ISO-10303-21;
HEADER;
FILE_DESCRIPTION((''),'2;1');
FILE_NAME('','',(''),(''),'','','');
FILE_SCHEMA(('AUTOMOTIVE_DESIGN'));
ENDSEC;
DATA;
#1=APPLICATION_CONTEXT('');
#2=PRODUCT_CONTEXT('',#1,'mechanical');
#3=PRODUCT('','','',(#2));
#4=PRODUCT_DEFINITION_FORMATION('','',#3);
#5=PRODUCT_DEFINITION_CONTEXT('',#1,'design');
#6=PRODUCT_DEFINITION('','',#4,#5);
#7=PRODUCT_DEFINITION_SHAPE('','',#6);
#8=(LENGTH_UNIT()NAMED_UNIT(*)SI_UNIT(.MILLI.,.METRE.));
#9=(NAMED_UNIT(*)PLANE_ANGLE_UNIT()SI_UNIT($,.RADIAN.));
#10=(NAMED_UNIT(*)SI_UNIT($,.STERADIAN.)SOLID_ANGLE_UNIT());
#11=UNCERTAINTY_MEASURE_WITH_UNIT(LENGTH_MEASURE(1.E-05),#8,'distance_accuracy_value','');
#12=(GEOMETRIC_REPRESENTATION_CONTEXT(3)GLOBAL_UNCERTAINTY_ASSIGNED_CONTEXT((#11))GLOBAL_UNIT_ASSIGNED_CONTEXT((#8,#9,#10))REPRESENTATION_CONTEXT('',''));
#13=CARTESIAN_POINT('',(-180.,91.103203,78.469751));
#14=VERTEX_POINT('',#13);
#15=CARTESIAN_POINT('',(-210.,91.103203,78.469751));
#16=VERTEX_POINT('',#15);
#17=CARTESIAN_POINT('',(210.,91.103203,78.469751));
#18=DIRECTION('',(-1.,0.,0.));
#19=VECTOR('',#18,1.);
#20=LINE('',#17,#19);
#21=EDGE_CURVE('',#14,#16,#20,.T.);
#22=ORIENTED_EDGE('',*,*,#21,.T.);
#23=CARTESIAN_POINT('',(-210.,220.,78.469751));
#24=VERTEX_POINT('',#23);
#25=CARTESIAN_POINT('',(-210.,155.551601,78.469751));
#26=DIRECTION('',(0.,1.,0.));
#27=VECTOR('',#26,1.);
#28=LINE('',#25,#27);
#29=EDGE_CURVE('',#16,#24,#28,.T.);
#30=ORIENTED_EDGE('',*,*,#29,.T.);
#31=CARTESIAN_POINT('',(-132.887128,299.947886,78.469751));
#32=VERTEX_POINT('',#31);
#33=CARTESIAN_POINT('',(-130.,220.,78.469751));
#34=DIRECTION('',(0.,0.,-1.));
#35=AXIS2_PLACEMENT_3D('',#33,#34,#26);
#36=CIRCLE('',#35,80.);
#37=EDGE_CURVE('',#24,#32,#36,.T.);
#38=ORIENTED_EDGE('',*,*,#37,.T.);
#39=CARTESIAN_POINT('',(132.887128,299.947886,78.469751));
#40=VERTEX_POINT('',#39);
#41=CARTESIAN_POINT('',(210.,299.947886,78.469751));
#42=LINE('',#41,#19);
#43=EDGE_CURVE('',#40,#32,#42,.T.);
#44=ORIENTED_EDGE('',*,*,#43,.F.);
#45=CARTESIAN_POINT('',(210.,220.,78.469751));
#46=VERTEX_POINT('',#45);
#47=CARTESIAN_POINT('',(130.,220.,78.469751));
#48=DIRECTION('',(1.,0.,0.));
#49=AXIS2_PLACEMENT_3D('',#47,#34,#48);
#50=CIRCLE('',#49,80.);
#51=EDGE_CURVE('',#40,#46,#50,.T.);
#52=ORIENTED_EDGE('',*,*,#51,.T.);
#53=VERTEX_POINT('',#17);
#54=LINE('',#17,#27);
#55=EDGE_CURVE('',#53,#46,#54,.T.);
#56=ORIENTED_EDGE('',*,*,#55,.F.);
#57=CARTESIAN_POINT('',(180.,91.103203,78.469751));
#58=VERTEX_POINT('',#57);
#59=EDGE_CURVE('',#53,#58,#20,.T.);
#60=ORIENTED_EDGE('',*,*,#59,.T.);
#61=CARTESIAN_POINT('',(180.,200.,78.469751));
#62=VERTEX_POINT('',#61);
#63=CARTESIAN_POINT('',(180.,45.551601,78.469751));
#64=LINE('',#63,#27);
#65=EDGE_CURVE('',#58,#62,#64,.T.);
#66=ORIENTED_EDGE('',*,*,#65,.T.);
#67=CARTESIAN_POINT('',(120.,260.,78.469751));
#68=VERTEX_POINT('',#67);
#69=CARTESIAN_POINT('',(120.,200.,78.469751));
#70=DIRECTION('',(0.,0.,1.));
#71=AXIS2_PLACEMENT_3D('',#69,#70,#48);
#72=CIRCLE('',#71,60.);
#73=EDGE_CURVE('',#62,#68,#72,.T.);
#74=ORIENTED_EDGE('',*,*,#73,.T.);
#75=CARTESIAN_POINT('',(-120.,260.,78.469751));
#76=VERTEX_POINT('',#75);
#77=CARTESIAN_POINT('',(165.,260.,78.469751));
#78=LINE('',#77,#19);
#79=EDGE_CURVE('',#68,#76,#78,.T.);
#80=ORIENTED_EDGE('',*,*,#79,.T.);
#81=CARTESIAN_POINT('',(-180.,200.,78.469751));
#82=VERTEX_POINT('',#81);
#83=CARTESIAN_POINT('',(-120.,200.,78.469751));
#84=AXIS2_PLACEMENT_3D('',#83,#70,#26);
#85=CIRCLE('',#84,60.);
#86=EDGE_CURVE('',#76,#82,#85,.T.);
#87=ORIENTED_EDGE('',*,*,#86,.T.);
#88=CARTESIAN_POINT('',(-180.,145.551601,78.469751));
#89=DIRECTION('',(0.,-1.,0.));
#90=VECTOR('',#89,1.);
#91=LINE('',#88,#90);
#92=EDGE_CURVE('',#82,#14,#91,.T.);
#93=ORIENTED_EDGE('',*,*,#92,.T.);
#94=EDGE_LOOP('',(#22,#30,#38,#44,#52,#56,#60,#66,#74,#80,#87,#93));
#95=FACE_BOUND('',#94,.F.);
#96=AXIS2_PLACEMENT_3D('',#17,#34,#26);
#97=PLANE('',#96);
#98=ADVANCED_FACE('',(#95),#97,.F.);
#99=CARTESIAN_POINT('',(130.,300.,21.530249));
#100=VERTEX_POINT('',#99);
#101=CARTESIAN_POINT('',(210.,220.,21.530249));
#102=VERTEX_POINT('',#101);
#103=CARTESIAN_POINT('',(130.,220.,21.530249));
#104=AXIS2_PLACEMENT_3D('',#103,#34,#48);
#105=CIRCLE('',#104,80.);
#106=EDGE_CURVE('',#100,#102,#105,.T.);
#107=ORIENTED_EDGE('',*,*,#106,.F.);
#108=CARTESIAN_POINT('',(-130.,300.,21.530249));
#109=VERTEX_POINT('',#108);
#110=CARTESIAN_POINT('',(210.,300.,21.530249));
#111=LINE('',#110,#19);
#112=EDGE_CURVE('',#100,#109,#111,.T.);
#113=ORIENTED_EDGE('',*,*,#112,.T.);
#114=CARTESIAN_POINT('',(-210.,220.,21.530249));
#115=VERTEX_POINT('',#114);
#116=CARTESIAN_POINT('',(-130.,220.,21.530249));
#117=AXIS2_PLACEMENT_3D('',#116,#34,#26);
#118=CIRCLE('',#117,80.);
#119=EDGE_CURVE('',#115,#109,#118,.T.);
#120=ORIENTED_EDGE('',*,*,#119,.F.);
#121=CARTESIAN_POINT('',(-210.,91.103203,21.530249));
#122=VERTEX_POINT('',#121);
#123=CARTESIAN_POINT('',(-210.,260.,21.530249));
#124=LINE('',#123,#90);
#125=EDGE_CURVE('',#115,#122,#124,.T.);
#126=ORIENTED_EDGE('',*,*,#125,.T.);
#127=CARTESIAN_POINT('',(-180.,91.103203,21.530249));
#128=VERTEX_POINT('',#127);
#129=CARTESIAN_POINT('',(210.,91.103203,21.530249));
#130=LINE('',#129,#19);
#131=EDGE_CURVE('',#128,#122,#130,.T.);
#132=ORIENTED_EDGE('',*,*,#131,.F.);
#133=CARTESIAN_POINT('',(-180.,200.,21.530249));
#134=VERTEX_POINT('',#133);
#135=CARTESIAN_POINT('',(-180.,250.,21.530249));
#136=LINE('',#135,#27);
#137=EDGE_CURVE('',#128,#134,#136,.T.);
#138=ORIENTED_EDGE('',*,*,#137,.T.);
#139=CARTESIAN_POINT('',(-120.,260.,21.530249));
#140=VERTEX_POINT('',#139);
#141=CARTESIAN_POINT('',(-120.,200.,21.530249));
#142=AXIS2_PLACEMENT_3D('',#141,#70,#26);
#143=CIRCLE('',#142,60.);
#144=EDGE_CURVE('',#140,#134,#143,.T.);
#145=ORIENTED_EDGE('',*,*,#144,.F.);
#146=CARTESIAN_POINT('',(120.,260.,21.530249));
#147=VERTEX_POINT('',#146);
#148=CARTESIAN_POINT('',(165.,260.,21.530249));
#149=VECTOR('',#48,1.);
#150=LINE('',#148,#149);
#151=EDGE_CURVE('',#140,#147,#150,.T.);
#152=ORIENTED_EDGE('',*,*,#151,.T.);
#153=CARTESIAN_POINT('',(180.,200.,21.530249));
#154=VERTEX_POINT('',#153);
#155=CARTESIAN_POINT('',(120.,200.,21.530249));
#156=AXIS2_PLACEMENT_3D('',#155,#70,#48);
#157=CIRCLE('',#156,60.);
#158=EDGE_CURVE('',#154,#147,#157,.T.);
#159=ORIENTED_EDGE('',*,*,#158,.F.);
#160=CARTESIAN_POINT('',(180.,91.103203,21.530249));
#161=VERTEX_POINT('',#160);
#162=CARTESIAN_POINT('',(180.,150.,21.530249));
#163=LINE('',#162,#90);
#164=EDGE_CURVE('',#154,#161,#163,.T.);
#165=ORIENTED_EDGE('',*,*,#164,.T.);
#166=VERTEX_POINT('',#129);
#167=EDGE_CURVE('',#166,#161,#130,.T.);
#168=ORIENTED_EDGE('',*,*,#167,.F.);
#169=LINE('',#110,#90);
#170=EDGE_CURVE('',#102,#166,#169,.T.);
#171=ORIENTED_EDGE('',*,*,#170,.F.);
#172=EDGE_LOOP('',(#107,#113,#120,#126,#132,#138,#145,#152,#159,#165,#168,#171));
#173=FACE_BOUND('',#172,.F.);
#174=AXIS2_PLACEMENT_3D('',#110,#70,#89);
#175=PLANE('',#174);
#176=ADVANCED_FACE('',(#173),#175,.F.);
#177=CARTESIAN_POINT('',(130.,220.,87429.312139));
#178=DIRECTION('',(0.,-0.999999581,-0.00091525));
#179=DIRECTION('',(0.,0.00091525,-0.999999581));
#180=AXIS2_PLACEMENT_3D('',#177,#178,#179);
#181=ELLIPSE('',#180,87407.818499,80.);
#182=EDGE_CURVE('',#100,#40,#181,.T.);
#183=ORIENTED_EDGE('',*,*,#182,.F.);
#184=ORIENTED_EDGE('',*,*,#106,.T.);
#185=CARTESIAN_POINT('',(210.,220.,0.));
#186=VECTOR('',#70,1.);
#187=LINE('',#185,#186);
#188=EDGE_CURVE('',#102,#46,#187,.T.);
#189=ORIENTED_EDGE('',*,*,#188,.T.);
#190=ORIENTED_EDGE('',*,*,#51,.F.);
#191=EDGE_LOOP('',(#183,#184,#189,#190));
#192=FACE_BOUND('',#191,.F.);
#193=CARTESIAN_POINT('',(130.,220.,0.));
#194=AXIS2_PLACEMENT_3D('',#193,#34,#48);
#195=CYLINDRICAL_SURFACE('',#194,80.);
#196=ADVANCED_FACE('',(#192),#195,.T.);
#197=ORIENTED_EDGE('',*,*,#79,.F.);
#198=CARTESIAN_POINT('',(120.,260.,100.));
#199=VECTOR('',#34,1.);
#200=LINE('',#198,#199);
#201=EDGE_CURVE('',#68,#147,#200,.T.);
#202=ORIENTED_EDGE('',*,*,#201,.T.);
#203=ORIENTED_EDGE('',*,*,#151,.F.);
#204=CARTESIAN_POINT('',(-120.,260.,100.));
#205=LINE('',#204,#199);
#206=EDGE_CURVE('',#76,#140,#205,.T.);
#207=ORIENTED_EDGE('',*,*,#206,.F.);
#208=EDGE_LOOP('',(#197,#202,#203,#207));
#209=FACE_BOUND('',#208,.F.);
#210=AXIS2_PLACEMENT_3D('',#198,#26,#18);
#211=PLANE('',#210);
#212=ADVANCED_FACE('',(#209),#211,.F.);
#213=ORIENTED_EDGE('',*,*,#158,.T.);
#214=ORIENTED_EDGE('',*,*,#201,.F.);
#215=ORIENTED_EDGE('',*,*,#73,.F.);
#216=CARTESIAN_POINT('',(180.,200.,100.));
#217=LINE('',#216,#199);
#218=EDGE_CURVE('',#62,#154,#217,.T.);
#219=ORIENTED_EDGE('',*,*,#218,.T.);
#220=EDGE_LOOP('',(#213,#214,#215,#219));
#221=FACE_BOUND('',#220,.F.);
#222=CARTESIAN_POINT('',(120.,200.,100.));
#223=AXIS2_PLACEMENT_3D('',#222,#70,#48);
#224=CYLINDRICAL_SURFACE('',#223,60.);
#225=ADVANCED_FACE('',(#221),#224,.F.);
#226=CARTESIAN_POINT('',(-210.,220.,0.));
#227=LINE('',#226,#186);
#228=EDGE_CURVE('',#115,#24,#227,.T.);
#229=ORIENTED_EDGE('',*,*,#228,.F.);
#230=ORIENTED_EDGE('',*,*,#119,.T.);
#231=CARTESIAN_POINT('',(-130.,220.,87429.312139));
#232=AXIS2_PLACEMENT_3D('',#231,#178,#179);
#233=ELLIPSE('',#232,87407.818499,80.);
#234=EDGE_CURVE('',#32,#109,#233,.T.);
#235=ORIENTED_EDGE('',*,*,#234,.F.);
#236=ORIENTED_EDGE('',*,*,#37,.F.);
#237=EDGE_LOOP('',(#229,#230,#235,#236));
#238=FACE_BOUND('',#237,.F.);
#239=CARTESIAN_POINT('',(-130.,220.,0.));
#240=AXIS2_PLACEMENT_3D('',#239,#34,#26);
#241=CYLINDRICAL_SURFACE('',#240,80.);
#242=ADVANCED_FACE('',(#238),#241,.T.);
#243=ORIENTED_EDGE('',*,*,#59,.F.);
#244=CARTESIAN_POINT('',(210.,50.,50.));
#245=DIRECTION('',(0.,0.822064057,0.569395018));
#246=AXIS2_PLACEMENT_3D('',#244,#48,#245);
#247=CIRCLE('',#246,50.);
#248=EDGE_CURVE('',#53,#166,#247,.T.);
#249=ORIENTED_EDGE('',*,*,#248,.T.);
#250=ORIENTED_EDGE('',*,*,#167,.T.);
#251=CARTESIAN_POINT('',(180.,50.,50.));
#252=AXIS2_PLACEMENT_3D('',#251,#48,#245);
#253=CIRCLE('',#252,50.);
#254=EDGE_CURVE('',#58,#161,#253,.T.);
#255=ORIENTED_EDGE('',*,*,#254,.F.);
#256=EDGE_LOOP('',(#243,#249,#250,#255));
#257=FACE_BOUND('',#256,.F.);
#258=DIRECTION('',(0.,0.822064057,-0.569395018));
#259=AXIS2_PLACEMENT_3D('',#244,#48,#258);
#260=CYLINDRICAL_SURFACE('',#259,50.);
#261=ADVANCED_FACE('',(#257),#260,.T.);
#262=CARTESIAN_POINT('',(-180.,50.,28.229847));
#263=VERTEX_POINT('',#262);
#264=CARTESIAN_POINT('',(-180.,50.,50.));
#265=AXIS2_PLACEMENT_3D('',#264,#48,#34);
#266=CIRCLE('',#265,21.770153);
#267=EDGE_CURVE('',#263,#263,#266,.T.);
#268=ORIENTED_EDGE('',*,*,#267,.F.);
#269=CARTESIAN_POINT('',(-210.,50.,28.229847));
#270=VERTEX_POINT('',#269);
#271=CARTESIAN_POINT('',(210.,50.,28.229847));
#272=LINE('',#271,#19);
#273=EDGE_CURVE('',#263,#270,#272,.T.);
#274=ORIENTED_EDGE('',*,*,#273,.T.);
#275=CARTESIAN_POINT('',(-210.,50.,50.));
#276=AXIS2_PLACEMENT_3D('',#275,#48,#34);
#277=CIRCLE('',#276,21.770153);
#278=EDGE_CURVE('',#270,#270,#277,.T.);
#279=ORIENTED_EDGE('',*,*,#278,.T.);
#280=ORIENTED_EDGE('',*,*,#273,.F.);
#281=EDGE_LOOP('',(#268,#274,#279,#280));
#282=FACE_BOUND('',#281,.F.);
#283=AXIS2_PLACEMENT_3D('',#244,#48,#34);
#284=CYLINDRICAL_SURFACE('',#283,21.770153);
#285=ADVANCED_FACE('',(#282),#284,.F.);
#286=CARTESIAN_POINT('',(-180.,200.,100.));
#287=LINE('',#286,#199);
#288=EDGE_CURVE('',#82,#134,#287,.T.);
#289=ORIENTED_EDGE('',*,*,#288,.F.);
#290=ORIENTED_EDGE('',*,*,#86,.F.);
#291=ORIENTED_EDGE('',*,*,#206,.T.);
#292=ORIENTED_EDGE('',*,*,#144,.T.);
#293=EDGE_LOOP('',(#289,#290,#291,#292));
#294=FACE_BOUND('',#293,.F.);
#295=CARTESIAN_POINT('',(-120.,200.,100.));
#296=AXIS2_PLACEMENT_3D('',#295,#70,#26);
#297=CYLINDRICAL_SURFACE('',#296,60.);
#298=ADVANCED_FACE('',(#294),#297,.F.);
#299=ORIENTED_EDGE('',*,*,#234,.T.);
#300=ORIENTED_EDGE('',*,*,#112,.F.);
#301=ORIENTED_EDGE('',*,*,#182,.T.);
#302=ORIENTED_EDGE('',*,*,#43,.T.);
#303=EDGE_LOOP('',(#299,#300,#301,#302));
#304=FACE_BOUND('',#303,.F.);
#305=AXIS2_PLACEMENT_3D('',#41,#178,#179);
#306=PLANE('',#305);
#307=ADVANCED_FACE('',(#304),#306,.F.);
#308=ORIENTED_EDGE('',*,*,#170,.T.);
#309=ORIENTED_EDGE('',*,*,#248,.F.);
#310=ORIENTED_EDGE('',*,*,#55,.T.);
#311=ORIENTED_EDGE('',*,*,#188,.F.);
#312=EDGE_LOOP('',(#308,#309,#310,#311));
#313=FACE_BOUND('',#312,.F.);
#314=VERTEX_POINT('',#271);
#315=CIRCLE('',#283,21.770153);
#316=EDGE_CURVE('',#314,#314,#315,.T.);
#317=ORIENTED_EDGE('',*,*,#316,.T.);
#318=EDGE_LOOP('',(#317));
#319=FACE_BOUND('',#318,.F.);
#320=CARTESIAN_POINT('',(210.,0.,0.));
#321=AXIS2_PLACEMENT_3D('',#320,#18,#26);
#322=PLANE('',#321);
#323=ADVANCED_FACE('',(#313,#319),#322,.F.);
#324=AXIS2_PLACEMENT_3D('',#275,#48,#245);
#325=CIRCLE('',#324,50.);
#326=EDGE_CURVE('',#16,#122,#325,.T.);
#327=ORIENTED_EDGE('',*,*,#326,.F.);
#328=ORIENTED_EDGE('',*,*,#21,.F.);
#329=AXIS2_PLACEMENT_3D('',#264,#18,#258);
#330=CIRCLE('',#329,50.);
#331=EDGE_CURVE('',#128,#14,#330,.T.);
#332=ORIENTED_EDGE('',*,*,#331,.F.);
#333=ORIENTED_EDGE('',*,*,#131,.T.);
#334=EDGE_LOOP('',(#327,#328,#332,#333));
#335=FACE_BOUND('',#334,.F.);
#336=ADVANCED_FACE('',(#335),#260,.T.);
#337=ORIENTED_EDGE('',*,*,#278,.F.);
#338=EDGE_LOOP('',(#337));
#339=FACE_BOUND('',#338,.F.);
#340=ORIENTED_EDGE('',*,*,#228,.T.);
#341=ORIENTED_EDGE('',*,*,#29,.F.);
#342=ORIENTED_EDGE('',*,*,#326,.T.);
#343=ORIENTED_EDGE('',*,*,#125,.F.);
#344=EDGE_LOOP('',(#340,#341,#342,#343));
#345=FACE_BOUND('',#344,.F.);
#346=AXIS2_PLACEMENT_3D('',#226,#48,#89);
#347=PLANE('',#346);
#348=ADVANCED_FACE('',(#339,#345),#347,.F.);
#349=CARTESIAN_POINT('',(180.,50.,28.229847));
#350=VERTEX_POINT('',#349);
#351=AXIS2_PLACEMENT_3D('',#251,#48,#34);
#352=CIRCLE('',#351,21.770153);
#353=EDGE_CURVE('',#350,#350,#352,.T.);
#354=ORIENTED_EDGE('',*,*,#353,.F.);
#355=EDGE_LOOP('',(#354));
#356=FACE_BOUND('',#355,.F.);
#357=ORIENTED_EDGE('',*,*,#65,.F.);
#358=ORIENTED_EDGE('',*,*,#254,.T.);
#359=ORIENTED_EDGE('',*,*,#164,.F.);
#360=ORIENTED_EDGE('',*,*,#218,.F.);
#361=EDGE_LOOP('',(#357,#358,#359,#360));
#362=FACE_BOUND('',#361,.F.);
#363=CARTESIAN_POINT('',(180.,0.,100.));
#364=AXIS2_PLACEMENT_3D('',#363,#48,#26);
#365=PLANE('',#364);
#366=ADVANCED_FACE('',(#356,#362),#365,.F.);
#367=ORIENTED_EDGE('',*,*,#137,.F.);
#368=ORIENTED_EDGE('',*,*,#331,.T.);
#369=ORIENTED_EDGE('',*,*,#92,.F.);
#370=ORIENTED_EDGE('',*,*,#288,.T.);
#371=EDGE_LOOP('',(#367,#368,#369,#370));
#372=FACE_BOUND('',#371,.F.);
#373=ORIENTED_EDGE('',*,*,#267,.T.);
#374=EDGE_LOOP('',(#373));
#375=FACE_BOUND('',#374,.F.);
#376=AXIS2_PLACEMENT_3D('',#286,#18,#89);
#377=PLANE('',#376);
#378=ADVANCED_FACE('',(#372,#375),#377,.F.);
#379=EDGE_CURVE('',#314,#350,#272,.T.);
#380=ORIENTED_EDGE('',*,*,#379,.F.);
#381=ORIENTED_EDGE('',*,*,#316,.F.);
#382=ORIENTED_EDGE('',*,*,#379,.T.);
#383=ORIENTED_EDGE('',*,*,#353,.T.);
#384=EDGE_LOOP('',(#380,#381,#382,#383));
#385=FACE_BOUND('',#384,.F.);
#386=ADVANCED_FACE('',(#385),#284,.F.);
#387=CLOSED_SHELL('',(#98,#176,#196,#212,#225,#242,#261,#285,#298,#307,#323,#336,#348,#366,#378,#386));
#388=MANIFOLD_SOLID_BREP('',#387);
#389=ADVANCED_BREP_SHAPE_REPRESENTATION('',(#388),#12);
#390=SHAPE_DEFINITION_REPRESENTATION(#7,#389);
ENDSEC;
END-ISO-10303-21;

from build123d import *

# Parameters (mm, degrees)
EXTRUDE_1_DEPTH     = 100
CUT_EXTRUDE_1_DEPTH = 101
SKETCH_3_OUTSIDE_W  = 207.148
SKETCH_3_OUTSIDE_H  = 407.148
SKETCH_3_OUTSIDE_R  = 21.770153001
CUT_EXTRUDE_2_DEPTH = 421


with BuildPart() as part:
    # Эскиз1 → Бобышка-Вытянуть1 (new body)
    with BuildSketch(Plane.XY):
        with BuildLine():
            Line((-210, 0), (210, 0))
            Line((210, 0), (210, 220))
            ThreePointArc((210, 220), (186.568542495, 276.568542495), (130, 300))
            Line((130, 300), (-130, 300))
            ThreePointArc((-130, 300), (-186.568542495, 276.568542495), (-210, 220))
            Line((-210, 220), (-210, 0))
        make_face()
    extrude(amount=EXTRUDE_1_DEPTH)

    # Эскиз2 → Вырез-Вытянуть1 (cut, through all)
    with BuildSketch(Plane.XY.offset(100)):
        with BuildLine():
            Line((-180, 0), (180, 0))
            Line((180, 0), (180, 200))
            ThreePointArc((180, 200), (162.426406871, 242.426406871), (120, 260))
            Line((120, 260), (-120, 260))
            ThreePointArc((-120, 260), (-162.426406871, 242.426406871), (-180, 200))
            Line((-180, 200), (-180, 0))
        make_face()
    extrude(amount=-CUT_EXTRUDE_1_DEPTH, mode=Mode.SUBTRACT)

    # Эскиз3 outside → Вырез-Вытянуть2 (cut, through all)
    with BuildSketch(Plane(origin=(210, 0, 0), x_dir=(0, 0, -1), z_dir=(1, 0, 0))):
        with Locations((-50, 150)):
            Rectangle(SKETCH_3_OUTSIDE_W, SKETCH_3_OUTSIDE_H)
        with BuildLine():
            Line((-78.46975089, 299.947886103), (-21.53024911, 300))
            Line((-21.53024911, 300), (-21.53024911, 91.103202847))
            ThreePointArc((-21.53024911, 91.103202847), (-50, 0), (-78.46975089, 91.103202847))
            Line((-78.46975089, 91.103202847), (-78.46975089, 299.947886103))
        make_face(mode=Mode.SUBTRACT)
        with Locations((-50, 50)):
            Circle(SKETCH_3_OUTSIDE_R)
    extrude(amount=-CUT_EXTRUDE_2_DEPTH, mode=Mode.SUBTRACT)


solid = part.part
